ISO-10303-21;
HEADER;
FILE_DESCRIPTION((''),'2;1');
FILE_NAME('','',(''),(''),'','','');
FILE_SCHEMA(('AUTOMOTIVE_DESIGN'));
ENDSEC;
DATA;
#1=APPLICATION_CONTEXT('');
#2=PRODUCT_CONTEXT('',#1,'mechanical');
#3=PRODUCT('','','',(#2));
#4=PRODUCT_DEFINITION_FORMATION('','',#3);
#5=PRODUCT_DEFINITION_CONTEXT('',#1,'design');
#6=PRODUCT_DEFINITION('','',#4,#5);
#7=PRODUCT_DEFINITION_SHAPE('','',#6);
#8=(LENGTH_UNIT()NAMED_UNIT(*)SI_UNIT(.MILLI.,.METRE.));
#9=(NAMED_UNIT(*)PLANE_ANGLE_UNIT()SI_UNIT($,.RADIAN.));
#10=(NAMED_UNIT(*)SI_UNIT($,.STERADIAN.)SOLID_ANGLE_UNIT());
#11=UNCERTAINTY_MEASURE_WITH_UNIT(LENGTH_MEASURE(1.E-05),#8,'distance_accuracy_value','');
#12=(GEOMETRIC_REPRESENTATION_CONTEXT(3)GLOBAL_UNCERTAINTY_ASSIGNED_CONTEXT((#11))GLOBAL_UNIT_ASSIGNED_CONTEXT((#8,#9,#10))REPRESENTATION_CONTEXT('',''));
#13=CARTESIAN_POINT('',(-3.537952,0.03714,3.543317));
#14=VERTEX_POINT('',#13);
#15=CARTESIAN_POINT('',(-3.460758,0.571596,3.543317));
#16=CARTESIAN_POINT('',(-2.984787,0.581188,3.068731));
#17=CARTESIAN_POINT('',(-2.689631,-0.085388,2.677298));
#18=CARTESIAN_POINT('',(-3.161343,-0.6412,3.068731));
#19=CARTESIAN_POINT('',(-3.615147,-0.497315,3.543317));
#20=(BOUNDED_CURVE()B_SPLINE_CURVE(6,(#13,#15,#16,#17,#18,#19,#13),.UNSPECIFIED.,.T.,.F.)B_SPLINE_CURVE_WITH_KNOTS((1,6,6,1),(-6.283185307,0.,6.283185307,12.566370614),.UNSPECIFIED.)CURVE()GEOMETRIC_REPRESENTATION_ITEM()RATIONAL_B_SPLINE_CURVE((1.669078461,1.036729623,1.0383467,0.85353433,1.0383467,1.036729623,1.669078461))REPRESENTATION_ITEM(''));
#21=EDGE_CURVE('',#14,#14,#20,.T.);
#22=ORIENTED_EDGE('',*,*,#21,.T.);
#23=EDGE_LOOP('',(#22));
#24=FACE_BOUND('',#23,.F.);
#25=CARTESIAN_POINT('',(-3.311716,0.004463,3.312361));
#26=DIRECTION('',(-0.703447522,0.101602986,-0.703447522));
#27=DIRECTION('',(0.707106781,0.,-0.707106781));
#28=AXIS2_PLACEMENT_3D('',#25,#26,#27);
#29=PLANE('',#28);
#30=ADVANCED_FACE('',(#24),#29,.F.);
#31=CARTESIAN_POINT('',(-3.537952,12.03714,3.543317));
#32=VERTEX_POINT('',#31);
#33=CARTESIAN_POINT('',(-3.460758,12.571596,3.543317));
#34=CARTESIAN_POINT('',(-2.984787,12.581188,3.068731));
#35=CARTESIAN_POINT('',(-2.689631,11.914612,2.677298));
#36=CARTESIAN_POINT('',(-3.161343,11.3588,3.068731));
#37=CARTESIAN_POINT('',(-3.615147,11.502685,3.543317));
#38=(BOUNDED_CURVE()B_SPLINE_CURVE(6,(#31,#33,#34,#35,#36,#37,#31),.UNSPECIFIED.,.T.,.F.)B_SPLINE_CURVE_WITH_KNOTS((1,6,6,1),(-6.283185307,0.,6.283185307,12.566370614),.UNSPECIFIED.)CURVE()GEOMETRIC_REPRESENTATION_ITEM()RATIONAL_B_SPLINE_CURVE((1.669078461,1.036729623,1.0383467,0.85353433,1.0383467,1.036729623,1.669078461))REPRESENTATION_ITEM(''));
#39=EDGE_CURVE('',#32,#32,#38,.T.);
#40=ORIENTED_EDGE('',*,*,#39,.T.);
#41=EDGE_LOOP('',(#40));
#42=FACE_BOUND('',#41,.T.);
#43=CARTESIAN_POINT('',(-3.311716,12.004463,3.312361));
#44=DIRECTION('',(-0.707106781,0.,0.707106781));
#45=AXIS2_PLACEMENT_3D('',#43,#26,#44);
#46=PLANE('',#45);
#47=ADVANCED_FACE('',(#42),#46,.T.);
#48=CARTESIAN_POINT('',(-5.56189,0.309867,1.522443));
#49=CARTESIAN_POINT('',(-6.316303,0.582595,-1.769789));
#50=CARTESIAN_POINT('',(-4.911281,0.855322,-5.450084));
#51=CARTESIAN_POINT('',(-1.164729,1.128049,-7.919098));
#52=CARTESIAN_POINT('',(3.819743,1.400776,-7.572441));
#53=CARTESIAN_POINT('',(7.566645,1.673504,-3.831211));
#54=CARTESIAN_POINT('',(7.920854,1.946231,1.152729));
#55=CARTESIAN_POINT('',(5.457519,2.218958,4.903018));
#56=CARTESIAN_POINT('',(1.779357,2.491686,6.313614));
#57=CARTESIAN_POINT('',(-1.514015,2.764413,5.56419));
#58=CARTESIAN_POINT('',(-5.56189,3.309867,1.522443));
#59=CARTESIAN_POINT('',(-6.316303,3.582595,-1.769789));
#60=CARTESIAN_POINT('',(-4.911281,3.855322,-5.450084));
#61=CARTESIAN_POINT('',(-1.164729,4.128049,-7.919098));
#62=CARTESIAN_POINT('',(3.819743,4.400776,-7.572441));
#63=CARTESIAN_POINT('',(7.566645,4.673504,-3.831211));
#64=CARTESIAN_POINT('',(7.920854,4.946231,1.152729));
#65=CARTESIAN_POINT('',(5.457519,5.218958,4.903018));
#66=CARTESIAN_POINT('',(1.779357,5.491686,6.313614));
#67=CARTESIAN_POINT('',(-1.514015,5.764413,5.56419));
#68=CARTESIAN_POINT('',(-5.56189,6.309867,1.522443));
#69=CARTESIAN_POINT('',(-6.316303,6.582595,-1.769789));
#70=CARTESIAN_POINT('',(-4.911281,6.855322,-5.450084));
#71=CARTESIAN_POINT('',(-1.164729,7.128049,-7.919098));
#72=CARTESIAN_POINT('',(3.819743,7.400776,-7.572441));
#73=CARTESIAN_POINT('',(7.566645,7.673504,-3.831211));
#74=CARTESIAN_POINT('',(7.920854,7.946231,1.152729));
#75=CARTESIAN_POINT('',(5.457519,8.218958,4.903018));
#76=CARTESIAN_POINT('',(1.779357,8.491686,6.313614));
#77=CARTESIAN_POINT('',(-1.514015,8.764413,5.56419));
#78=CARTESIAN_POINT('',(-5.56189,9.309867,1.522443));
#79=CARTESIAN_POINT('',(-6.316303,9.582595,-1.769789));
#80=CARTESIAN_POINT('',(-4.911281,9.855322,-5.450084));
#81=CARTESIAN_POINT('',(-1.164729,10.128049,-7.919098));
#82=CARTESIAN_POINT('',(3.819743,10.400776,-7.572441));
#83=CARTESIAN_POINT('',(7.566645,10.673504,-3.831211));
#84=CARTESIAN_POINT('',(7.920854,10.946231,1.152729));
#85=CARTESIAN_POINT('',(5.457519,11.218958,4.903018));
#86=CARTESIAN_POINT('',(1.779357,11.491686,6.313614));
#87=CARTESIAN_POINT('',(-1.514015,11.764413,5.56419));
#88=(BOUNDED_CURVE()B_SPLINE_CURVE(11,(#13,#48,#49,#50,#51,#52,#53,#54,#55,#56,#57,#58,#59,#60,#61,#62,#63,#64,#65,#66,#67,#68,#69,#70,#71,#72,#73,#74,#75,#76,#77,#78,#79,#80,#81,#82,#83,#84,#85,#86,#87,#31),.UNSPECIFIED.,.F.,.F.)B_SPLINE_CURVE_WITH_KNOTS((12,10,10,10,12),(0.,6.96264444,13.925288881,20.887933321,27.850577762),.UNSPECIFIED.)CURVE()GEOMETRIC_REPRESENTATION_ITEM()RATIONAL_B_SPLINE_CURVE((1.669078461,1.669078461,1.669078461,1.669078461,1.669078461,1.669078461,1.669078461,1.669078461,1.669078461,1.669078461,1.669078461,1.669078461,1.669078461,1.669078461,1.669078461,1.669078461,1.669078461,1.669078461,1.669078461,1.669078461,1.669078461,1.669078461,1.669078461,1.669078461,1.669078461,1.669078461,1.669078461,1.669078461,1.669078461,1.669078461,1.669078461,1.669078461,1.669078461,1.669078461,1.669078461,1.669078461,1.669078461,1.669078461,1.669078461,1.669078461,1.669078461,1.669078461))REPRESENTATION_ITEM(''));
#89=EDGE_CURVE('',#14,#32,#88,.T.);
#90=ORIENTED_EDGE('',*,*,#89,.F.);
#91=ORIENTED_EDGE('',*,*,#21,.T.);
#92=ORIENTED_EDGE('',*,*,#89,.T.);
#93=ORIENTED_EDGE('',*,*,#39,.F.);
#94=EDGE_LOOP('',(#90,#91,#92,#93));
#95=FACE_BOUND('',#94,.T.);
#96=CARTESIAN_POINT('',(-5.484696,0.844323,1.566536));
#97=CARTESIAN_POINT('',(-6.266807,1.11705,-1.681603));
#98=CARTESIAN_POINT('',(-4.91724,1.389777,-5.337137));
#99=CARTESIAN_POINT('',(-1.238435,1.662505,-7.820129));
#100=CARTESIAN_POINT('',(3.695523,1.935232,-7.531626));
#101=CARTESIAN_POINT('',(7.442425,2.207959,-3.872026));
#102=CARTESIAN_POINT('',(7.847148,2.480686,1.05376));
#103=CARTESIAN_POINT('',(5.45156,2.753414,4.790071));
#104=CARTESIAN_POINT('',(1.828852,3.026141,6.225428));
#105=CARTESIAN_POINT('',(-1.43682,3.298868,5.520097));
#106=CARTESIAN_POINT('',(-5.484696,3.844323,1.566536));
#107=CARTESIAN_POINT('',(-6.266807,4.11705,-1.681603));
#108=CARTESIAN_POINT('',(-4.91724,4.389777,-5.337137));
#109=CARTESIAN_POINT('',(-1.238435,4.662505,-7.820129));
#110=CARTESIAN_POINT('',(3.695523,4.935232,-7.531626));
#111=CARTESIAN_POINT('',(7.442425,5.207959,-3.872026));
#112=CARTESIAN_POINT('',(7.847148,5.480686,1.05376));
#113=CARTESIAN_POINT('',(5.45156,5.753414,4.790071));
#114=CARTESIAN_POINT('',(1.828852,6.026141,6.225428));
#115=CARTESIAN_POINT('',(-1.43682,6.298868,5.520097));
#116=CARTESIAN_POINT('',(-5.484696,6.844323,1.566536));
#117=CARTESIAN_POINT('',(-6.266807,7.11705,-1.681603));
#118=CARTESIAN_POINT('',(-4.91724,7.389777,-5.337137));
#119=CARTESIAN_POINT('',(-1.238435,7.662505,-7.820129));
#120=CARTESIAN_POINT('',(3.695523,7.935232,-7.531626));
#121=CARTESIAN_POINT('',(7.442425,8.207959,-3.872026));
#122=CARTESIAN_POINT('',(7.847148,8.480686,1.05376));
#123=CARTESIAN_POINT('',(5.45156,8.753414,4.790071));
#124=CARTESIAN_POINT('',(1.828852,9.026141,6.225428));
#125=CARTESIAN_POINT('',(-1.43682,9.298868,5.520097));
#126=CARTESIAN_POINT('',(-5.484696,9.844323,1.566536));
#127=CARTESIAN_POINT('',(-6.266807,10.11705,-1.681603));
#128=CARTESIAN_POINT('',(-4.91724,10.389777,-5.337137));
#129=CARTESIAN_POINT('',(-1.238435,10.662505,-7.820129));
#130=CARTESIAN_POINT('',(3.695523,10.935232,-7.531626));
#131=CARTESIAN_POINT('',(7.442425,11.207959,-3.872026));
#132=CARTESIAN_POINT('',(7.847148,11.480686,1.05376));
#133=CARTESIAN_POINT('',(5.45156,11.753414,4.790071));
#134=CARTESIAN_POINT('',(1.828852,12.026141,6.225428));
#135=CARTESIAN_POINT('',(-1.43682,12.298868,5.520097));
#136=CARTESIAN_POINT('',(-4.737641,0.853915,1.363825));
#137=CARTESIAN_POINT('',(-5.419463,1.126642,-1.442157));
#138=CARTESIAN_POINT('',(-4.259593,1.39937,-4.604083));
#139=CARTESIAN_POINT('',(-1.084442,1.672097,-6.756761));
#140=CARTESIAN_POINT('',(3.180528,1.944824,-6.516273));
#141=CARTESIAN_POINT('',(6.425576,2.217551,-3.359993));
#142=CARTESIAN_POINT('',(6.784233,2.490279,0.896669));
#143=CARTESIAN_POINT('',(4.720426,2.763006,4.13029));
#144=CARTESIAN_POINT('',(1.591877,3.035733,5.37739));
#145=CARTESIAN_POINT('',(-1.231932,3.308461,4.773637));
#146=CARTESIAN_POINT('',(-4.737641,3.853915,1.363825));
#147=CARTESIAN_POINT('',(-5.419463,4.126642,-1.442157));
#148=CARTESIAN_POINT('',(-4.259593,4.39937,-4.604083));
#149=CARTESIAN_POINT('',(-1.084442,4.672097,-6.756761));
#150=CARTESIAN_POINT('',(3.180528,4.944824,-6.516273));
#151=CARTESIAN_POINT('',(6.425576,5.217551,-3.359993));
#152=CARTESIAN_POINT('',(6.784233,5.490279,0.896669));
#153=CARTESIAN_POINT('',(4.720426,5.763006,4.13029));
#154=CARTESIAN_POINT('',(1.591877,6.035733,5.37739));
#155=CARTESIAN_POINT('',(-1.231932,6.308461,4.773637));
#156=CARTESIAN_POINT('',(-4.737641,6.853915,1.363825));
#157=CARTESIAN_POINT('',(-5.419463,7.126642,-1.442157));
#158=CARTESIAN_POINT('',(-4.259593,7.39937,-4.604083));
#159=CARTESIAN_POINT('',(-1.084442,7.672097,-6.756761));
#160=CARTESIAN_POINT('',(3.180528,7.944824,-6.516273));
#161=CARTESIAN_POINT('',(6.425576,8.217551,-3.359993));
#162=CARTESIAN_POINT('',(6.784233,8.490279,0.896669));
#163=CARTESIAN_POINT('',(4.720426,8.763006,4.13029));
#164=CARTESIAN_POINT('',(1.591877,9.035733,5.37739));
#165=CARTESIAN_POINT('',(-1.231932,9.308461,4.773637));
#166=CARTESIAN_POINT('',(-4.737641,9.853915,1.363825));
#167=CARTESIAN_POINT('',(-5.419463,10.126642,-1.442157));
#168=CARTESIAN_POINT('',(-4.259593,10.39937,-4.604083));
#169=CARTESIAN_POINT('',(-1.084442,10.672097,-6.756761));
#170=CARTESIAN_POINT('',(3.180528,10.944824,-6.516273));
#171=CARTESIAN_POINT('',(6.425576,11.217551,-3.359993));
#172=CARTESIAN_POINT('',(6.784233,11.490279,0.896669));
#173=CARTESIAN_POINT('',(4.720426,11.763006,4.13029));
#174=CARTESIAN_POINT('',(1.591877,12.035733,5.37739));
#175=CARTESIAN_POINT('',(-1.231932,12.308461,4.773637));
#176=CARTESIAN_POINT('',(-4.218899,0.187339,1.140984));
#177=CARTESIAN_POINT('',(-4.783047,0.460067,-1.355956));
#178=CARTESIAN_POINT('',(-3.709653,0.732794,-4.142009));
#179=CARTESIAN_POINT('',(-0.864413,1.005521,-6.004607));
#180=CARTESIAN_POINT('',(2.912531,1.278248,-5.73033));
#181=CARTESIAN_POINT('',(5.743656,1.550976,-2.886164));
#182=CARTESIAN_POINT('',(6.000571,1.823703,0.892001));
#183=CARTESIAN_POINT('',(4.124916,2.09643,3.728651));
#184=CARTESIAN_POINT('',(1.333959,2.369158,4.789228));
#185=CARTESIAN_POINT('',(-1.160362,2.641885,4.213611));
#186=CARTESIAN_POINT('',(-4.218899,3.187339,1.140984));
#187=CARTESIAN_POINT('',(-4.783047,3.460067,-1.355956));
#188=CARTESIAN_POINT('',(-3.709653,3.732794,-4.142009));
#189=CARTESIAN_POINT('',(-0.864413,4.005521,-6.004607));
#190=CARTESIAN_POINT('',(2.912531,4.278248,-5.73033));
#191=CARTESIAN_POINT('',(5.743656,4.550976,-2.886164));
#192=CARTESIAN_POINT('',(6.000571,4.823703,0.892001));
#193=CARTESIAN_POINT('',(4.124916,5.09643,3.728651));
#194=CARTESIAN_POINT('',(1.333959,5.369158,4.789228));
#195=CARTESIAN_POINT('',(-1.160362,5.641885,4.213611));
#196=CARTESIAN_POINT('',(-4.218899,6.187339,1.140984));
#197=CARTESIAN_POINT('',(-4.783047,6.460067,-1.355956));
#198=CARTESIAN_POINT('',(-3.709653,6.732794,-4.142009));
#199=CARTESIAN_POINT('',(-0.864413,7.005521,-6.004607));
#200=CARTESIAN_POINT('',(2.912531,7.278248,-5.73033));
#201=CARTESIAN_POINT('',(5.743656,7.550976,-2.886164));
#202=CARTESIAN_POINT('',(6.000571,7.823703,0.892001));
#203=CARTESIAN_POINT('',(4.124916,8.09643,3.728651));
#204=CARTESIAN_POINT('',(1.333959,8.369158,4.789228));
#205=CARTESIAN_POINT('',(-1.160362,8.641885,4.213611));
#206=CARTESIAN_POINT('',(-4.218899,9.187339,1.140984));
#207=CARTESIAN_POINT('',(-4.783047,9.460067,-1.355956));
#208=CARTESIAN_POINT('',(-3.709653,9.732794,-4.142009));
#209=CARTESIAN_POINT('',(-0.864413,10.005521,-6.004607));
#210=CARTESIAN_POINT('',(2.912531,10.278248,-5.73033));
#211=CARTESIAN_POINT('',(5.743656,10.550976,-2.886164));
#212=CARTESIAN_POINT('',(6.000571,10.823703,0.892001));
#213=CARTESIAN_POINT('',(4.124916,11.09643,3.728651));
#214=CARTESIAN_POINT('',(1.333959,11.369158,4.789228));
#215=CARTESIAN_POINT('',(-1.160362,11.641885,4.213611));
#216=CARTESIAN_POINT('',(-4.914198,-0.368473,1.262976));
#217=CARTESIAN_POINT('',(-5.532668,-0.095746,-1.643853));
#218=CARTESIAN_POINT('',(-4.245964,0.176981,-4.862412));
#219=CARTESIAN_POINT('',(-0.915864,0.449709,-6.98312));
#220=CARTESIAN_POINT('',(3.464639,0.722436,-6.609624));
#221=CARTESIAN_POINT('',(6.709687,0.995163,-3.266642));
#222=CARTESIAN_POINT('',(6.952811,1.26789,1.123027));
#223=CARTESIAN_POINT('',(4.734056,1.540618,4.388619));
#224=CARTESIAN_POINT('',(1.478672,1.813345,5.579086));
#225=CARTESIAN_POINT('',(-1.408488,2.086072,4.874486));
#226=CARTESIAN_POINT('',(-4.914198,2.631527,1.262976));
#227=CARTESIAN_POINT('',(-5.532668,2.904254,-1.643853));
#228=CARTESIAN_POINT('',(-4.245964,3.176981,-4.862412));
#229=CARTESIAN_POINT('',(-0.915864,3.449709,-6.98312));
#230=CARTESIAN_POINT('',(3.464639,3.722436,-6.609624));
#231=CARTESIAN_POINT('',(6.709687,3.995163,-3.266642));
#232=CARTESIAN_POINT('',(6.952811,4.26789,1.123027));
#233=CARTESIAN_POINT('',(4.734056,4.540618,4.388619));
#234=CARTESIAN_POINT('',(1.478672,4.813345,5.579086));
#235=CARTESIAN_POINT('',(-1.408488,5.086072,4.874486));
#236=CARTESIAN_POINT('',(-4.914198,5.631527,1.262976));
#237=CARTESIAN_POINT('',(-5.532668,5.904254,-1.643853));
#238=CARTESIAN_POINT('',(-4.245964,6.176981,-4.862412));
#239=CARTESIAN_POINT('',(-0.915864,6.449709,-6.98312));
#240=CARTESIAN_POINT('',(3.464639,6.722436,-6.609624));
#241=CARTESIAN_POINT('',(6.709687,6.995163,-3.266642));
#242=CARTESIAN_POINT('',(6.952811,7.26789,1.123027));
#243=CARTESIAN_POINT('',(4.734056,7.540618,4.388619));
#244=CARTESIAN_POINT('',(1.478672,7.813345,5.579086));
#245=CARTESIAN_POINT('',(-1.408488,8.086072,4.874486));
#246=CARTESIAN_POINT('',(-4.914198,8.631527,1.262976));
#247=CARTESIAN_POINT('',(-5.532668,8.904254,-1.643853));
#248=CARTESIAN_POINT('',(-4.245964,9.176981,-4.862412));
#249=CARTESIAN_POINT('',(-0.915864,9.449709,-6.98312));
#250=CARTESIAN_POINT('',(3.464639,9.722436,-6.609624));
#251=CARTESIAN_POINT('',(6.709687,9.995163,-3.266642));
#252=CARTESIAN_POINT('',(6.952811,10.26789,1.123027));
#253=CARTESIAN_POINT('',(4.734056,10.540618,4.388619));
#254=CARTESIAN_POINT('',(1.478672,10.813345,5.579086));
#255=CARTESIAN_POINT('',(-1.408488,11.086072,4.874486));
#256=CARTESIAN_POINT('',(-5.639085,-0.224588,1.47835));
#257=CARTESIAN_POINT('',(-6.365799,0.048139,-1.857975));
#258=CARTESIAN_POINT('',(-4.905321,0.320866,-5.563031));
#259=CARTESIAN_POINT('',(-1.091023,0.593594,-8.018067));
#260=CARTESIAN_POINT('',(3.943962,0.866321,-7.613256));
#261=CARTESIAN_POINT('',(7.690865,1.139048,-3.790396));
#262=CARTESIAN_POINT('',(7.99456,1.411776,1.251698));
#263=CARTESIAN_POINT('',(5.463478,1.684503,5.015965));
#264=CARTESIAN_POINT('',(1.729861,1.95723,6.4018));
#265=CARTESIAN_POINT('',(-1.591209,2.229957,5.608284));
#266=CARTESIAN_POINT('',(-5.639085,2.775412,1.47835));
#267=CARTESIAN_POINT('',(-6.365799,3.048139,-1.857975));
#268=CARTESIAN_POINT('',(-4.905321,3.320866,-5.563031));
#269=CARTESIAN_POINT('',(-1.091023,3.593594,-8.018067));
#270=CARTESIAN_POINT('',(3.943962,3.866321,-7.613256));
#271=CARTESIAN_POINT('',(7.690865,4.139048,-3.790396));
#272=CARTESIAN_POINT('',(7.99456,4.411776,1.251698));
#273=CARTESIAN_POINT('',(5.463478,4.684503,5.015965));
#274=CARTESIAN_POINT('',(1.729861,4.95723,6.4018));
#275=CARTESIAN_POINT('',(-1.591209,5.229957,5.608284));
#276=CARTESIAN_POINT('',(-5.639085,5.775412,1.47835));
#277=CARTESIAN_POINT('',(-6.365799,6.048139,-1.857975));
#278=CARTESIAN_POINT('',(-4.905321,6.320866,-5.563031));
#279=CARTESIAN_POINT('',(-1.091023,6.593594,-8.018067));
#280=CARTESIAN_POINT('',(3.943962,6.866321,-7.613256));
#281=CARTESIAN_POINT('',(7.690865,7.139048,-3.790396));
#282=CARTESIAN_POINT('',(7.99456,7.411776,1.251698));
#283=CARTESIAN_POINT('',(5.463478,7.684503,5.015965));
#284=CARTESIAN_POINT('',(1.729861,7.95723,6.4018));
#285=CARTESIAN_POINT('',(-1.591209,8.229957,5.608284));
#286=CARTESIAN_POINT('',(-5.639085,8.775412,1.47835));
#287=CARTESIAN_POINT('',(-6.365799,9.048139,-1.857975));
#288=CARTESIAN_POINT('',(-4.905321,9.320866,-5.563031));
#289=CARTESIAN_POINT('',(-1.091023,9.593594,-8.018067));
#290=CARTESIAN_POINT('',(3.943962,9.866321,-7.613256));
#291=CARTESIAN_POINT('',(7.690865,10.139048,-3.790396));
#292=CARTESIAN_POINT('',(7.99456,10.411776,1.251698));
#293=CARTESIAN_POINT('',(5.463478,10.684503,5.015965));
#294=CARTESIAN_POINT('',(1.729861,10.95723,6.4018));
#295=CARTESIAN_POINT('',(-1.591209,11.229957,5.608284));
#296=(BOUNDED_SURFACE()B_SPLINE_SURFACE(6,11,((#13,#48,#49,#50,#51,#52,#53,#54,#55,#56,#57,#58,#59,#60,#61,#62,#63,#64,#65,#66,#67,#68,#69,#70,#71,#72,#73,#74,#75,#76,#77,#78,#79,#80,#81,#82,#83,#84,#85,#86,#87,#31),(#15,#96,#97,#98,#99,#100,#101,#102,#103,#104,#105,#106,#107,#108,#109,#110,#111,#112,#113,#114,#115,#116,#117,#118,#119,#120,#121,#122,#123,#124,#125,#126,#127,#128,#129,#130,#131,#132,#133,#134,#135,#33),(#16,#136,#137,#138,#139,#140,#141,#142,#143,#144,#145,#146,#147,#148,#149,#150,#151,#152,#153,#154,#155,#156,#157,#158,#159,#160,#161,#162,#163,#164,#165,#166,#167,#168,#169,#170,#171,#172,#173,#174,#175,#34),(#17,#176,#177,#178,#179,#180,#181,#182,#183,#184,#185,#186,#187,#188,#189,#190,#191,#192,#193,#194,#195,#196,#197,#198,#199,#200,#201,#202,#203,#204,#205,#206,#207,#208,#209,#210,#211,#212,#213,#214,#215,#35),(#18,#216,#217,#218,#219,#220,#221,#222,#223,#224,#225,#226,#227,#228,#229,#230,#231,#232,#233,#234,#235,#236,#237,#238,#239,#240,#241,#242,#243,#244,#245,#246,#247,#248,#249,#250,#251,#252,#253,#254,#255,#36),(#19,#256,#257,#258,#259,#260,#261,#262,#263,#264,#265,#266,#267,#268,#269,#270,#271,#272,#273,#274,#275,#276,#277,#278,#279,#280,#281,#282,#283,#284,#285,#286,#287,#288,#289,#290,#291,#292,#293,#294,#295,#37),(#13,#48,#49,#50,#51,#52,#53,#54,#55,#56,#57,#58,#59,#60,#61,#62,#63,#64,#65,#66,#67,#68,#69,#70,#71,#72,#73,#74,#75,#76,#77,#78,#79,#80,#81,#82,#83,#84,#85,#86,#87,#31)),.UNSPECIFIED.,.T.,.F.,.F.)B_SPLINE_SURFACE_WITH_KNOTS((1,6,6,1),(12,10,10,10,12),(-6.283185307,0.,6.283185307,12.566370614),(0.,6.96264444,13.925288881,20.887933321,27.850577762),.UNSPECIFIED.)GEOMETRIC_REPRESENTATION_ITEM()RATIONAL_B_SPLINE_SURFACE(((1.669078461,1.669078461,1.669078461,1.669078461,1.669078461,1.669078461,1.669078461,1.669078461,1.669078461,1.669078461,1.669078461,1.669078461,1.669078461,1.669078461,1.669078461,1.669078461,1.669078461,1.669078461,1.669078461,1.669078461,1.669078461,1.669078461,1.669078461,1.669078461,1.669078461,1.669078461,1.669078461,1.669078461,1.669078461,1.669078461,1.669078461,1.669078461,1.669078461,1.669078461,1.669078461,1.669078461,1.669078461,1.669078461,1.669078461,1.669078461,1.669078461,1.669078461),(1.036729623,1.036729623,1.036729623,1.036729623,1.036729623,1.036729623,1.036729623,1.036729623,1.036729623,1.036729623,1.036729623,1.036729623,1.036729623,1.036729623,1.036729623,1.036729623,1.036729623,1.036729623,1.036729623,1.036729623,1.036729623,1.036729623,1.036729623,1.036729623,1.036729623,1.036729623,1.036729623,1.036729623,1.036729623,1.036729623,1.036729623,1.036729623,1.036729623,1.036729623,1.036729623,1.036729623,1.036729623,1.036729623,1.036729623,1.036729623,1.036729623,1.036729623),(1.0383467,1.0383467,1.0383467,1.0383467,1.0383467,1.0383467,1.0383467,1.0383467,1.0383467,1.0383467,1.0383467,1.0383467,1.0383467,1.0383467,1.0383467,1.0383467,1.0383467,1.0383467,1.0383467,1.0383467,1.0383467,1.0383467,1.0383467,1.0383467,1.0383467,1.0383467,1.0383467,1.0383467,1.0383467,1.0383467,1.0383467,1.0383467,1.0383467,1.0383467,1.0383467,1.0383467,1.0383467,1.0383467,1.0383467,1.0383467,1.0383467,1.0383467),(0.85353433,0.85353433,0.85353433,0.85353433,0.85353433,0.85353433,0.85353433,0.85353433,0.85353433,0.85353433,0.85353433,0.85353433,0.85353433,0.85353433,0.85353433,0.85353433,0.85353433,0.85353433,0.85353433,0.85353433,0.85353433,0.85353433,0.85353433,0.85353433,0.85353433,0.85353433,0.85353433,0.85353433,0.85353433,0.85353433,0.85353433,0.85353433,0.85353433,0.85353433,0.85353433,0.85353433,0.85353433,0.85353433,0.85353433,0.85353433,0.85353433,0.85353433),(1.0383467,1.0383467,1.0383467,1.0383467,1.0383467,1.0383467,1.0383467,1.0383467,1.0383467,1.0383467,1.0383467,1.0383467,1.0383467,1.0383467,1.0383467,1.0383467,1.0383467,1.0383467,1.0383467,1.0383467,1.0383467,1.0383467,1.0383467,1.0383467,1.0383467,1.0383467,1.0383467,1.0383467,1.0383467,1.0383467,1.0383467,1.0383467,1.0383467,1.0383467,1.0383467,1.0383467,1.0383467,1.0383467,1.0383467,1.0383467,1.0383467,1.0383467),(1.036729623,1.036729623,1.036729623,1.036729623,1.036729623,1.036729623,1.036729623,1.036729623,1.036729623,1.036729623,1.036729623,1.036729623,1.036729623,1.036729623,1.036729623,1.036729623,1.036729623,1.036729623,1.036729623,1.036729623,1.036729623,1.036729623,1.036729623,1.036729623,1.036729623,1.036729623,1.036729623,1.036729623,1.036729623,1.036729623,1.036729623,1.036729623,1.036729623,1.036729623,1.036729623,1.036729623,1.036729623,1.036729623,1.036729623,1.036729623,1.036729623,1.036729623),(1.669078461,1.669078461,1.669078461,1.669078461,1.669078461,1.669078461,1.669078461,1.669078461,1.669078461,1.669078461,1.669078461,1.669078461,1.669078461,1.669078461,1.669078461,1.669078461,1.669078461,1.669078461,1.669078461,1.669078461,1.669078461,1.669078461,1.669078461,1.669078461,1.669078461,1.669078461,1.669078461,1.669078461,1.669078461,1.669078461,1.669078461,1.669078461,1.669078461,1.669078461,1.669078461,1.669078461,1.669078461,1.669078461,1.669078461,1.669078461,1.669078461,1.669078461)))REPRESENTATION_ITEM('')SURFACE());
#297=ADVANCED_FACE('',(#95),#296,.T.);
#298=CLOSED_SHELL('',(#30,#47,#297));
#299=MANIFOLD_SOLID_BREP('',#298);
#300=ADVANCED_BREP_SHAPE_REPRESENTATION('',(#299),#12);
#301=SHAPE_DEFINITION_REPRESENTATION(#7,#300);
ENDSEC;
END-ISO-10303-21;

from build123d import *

# Parameters (mm, degrees)
SWEEP1_PITCH       = 3
SWEEP1_HEIGHT      = 12
SWEEP1_RADIUS      = 4.675
SWEEP1_START_ANGLE = -45
SKETCH4_R          = 0.325


with BuildPart() as part:
    # Sweep1: sweep along a helix
    with BuildLine() as sweep1_path:
        add(Helix(SWEEP1_PITCH, SWEEP1_HEIGHT, SWEEP1_RADIUS, center=(0, 0, 0), direction=(0, 1, 0), lefthand=True, mode=Mode.PRIVATE).rotate(Axis((0, 0, 0), (0, 1, 0)), SWEEP1_START_ANGLE))
    # Sketch4 → Sweep1 (sweep)
    with BuildSketch(Plane(origin=(-3.305724202, 0, 3.305724202), x_dir=(-0.6962228145706657, 0.10055948015595484, 0.7107472007838403), z_dir=(-0.7034475222630039, 0.1016029863936357, -0.7034475222629869))):
        with Locations((0.00928562, 0.003561064)):
            Circle(SKETCH4_R)
    sweep(path=sweep1_path.line, is_frenet=True)


solid = part.part
